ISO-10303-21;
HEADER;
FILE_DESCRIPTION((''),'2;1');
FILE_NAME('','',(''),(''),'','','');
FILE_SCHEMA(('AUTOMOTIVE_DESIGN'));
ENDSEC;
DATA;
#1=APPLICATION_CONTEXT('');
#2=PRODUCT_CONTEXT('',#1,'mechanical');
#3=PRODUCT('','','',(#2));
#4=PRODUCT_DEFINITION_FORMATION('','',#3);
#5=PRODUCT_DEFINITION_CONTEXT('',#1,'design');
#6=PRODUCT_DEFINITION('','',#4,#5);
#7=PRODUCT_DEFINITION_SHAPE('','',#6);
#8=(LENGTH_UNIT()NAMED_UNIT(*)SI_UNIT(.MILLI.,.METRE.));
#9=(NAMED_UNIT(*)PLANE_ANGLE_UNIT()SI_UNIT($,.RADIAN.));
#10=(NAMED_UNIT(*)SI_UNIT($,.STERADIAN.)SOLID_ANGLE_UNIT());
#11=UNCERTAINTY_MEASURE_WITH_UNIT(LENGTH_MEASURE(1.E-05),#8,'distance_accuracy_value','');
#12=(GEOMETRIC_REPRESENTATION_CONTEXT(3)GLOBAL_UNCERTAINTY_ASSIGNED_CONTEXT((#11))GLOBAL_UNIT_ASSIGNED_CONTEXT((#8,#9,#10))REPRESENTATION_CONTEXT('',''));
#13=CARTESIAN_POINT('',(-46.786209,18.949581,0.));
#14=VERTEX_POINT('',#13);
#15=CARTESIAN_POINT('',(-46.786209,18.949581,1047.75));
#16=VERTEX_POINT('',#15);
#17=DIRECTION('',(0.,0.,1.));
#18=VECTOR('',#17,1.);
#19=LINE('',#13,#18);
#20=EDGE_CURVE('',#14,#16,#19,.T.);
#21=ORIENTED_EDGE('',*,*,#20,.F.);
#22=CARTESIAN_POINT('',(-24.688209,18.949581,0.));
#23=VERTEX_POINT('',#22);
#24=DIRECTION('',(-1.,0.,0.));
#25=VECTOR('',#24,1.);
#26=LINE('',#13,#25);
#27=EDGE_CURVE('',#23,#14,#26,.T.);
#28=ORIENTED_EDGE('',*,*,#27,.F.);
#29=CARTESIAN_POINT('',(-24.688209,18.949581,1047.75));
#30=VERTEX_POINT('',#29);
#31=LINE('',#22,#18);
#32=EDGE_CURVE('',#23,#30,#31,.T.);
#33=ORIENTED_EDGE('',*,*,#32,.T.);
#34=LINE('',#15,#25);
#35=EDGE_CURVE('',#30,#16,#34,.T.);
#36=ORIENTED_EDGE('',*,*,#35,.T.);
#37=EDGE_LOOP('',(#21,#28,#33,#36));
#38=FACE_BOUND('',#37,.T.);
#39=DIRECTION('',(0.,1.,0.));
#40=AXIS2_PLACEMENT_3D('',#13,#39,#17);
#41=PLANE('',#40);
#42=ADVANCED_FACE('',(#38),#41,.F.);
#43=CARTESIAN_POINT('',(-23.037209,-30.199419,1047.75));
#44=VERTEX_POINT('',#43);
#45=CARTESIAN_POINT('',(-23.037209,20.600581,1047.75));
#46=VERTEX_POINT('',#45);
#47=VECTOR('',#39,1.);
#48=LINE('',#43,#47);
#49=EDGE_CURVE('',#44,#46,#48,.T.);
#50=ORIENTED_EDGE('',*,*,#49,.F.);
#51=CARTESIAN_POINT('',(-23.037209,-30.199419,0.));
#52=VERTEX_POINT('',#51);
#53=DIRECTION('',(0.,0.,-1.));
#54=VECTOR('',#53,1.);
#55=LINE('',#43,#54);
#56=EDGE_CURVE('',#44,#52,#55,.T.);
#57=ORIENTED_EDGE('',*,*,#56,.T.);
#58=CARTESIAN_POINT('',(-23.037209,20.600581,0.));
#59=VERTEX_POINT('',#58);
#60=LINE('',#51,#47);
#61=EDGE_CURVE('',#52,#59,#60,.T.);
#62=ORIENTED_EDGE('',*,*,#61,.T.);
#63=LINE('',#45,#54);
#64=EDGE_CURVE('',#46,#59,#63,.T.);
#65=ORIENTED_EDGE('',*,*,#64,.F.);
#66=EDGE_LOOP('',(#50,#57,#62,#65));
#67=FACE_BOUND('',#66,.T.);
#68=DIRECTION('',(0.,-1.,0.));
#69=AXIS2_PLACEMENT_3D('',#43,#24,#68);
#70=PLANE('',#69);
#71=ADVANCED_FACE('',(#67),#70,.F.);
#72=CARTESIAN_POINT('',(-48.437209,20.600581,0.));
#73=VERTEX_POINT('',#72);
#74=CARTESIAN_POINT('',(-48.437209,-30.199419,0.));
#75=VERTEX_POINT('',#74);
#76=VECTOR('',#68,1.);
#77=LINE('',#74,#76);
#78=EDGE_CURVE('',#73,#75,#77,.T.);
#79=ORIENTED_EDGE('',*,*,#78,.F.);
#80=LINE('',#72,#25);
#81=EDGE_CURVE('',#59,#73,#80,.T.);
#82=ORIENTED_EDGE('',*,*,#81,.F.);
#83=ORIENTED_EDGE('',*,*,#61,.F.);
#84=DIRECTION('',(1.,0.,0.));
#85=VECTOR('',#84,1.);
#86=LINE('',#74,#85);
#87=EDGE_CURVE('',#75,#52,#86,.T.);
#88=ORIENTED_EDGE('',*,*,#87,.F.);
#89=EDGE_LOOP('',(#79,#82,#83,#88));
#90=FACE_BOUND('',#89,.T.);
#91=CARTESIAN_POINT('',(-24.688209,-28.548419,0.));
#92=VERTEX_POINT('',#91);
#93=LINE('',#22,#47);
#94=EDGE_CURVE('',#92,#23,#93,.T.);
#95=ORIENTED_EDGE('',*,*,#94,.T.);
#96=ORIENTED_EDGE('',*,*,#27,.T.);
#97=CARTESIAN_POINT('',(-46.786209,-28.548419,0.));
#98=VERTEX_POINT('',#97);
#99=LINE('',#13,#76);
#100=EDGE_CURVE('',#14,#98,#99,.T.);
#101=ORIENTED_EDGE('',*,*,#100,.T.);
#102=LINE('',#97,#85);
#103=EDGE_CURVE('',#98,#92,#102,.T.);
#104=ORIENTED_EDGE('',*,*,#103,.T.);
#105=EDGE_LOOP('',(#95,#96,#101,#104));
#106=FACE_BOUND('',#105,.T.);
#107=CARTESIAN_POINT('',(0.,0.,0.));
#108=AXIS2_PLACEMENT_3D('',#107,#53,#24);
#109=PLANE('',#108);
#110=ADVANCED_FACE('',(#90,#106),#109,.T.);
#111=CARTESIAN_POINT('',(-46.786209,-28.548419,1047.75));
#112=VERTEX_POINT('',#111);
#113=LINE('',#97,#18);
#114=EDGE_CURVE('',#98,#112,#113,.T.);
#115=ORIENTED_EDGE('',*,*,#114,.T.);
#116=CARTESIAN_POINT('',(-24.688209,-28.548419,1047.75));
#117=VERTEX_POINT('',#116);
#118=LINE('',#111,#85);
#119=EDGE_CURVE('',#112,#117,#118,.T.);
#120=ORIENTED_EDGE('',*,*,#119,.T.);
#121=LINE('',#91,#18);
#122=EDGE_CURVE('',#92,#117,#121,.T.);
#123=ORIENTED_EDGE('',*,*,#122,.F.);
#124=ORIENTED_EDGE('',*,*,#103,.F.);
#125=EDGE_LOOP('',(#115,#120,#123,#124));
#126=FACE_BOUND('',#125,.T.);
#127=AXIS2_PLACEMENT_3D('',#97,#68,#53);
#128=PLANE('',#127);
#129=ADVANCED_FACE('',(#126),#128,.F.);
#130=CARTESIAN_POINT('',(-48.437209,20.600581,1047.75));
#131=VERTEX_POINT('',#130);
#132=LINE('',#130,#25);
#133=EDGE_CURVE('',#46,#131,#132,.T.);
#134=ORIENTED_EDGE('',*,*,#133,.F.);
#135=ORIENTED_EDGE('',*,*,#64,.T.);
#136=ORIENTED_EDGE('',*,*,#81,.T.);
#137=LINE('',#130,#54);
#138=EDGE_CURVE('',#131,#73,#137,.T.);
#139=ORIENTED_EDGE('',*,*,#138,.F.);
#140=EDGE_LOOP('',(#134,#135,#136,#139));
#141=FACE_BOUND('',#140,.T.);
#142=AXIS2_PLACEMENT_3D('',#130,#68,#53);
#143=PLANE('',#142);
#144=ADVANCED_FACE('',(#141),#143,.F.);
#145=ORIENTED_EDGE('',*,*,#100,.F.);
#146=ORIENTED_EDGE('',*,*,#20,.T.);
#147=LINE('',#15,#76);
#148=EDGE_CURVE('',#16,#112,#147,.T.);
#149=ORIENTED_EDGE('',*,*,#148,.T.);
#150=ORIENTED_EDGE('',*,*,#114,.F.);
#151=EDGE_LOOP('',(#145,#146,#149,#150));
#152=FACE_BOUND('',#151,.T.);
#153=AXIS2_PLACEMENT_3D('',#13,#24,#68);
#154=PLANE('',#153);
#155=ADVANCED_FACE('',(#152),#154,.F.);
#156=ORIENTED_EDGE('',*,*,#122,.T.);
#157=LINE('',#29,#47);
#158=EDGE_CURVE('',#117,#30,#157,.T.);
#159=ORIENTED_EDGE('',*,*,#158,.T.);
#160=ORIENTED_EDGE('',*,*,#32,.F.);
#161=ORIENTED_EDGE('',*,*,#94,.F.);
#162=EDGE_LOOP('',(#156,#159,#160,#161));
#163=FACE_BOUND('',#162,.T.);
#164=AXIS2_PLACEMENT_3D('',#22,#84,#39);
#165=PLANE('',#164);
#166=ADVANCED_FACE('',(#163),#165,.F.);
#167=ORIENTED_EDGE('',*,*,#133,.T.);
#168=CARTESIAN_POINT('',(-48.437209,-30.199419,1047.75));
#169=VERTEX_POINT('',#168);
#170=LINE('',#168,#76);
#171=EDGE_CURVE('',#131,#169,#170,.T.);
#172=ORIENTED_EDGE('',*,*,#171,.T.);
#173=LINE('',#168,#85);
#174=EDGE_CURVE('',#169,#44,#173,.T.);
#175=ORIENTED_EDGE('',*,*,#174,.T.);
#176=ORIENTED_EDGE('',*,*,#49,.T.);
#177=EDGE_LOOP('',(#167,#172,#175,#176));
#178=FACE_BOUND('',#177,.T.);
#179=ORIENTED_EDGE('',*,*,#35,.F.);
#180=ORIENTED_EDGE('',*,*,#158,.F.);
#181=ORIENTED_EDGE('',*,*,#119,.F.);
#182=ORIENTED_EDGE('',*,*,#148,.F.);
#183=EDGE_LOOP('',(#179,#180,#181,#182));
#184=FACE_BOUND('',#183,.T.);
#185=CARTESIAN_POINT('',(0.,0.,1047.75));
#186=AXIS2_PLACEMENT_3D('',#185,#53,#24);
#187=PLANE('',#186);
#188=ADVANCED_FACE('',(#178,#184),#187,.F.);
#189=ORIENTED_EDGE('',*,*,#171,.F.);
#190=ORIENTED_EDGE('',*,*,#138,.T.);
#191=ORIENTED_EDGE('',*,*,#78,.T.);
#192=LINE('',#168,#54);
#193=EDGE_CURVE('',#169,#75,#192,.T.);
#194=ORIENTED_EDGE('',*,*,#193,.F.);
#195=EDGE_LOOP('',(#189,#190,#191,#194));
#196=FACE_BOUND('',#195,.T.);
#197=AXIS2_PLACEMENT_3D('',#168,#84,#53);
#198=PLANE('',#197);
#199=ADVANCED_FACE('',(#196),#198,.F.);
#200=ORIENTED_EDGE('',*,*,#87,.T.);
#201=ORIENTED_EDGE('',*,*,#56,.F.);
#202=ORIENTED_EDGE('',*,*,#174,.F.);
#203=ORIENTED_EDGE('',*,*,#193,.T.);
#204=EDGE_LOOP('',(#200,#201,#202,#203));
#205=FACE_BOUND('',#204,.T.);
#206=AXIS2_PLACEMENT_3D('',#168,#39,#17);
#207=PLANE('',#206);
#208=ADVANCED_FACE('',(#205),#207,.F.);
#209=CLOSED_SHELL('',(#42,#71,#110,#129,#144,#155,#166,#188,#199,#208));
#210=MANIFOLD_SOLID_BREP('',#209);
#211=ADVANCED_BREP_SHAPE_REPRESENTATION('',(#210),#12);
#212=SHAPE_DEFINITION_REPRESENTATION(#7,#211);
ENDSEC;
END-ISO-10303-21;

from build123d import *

# Parameters (mm, degrees)
SKETCH1_W           = 25.4
SKETCH1_H           = 50.8
BOSS_EXTRUDE1_DEPTH = 1047.75
SKETCH2_W           = 22.098
SKETCH2_H           = 47.498
CUT_EXTRUDE1_DEPTH  = 1050.303688466


with BuildPart() as part:
    # Sketch1 → Boss-Extrude1 (new body)
    with BuildSketch(Plane.XY):
        with Locations((-35.737209302, -4.799418605)):
            Rectangle(SKETCH1_W, SKETCH1_H)
    extrude(amount=BOSS_EXTRUDE1_DEPTH)

    # Sketch2 → Cut-Extrude1 (cut, through all)
    with BuildSketch(Plane.XY.offset(1047.75)):
        with Locations((-35.737209302, -4.799418605)):
            Rectangle(SKETCH2_W, SKETCH2_H)
    extrude(amount=-CUT_EXTRUDE1_DEPTH, mode=Mode.SUBTRACT)


solid = part.part
